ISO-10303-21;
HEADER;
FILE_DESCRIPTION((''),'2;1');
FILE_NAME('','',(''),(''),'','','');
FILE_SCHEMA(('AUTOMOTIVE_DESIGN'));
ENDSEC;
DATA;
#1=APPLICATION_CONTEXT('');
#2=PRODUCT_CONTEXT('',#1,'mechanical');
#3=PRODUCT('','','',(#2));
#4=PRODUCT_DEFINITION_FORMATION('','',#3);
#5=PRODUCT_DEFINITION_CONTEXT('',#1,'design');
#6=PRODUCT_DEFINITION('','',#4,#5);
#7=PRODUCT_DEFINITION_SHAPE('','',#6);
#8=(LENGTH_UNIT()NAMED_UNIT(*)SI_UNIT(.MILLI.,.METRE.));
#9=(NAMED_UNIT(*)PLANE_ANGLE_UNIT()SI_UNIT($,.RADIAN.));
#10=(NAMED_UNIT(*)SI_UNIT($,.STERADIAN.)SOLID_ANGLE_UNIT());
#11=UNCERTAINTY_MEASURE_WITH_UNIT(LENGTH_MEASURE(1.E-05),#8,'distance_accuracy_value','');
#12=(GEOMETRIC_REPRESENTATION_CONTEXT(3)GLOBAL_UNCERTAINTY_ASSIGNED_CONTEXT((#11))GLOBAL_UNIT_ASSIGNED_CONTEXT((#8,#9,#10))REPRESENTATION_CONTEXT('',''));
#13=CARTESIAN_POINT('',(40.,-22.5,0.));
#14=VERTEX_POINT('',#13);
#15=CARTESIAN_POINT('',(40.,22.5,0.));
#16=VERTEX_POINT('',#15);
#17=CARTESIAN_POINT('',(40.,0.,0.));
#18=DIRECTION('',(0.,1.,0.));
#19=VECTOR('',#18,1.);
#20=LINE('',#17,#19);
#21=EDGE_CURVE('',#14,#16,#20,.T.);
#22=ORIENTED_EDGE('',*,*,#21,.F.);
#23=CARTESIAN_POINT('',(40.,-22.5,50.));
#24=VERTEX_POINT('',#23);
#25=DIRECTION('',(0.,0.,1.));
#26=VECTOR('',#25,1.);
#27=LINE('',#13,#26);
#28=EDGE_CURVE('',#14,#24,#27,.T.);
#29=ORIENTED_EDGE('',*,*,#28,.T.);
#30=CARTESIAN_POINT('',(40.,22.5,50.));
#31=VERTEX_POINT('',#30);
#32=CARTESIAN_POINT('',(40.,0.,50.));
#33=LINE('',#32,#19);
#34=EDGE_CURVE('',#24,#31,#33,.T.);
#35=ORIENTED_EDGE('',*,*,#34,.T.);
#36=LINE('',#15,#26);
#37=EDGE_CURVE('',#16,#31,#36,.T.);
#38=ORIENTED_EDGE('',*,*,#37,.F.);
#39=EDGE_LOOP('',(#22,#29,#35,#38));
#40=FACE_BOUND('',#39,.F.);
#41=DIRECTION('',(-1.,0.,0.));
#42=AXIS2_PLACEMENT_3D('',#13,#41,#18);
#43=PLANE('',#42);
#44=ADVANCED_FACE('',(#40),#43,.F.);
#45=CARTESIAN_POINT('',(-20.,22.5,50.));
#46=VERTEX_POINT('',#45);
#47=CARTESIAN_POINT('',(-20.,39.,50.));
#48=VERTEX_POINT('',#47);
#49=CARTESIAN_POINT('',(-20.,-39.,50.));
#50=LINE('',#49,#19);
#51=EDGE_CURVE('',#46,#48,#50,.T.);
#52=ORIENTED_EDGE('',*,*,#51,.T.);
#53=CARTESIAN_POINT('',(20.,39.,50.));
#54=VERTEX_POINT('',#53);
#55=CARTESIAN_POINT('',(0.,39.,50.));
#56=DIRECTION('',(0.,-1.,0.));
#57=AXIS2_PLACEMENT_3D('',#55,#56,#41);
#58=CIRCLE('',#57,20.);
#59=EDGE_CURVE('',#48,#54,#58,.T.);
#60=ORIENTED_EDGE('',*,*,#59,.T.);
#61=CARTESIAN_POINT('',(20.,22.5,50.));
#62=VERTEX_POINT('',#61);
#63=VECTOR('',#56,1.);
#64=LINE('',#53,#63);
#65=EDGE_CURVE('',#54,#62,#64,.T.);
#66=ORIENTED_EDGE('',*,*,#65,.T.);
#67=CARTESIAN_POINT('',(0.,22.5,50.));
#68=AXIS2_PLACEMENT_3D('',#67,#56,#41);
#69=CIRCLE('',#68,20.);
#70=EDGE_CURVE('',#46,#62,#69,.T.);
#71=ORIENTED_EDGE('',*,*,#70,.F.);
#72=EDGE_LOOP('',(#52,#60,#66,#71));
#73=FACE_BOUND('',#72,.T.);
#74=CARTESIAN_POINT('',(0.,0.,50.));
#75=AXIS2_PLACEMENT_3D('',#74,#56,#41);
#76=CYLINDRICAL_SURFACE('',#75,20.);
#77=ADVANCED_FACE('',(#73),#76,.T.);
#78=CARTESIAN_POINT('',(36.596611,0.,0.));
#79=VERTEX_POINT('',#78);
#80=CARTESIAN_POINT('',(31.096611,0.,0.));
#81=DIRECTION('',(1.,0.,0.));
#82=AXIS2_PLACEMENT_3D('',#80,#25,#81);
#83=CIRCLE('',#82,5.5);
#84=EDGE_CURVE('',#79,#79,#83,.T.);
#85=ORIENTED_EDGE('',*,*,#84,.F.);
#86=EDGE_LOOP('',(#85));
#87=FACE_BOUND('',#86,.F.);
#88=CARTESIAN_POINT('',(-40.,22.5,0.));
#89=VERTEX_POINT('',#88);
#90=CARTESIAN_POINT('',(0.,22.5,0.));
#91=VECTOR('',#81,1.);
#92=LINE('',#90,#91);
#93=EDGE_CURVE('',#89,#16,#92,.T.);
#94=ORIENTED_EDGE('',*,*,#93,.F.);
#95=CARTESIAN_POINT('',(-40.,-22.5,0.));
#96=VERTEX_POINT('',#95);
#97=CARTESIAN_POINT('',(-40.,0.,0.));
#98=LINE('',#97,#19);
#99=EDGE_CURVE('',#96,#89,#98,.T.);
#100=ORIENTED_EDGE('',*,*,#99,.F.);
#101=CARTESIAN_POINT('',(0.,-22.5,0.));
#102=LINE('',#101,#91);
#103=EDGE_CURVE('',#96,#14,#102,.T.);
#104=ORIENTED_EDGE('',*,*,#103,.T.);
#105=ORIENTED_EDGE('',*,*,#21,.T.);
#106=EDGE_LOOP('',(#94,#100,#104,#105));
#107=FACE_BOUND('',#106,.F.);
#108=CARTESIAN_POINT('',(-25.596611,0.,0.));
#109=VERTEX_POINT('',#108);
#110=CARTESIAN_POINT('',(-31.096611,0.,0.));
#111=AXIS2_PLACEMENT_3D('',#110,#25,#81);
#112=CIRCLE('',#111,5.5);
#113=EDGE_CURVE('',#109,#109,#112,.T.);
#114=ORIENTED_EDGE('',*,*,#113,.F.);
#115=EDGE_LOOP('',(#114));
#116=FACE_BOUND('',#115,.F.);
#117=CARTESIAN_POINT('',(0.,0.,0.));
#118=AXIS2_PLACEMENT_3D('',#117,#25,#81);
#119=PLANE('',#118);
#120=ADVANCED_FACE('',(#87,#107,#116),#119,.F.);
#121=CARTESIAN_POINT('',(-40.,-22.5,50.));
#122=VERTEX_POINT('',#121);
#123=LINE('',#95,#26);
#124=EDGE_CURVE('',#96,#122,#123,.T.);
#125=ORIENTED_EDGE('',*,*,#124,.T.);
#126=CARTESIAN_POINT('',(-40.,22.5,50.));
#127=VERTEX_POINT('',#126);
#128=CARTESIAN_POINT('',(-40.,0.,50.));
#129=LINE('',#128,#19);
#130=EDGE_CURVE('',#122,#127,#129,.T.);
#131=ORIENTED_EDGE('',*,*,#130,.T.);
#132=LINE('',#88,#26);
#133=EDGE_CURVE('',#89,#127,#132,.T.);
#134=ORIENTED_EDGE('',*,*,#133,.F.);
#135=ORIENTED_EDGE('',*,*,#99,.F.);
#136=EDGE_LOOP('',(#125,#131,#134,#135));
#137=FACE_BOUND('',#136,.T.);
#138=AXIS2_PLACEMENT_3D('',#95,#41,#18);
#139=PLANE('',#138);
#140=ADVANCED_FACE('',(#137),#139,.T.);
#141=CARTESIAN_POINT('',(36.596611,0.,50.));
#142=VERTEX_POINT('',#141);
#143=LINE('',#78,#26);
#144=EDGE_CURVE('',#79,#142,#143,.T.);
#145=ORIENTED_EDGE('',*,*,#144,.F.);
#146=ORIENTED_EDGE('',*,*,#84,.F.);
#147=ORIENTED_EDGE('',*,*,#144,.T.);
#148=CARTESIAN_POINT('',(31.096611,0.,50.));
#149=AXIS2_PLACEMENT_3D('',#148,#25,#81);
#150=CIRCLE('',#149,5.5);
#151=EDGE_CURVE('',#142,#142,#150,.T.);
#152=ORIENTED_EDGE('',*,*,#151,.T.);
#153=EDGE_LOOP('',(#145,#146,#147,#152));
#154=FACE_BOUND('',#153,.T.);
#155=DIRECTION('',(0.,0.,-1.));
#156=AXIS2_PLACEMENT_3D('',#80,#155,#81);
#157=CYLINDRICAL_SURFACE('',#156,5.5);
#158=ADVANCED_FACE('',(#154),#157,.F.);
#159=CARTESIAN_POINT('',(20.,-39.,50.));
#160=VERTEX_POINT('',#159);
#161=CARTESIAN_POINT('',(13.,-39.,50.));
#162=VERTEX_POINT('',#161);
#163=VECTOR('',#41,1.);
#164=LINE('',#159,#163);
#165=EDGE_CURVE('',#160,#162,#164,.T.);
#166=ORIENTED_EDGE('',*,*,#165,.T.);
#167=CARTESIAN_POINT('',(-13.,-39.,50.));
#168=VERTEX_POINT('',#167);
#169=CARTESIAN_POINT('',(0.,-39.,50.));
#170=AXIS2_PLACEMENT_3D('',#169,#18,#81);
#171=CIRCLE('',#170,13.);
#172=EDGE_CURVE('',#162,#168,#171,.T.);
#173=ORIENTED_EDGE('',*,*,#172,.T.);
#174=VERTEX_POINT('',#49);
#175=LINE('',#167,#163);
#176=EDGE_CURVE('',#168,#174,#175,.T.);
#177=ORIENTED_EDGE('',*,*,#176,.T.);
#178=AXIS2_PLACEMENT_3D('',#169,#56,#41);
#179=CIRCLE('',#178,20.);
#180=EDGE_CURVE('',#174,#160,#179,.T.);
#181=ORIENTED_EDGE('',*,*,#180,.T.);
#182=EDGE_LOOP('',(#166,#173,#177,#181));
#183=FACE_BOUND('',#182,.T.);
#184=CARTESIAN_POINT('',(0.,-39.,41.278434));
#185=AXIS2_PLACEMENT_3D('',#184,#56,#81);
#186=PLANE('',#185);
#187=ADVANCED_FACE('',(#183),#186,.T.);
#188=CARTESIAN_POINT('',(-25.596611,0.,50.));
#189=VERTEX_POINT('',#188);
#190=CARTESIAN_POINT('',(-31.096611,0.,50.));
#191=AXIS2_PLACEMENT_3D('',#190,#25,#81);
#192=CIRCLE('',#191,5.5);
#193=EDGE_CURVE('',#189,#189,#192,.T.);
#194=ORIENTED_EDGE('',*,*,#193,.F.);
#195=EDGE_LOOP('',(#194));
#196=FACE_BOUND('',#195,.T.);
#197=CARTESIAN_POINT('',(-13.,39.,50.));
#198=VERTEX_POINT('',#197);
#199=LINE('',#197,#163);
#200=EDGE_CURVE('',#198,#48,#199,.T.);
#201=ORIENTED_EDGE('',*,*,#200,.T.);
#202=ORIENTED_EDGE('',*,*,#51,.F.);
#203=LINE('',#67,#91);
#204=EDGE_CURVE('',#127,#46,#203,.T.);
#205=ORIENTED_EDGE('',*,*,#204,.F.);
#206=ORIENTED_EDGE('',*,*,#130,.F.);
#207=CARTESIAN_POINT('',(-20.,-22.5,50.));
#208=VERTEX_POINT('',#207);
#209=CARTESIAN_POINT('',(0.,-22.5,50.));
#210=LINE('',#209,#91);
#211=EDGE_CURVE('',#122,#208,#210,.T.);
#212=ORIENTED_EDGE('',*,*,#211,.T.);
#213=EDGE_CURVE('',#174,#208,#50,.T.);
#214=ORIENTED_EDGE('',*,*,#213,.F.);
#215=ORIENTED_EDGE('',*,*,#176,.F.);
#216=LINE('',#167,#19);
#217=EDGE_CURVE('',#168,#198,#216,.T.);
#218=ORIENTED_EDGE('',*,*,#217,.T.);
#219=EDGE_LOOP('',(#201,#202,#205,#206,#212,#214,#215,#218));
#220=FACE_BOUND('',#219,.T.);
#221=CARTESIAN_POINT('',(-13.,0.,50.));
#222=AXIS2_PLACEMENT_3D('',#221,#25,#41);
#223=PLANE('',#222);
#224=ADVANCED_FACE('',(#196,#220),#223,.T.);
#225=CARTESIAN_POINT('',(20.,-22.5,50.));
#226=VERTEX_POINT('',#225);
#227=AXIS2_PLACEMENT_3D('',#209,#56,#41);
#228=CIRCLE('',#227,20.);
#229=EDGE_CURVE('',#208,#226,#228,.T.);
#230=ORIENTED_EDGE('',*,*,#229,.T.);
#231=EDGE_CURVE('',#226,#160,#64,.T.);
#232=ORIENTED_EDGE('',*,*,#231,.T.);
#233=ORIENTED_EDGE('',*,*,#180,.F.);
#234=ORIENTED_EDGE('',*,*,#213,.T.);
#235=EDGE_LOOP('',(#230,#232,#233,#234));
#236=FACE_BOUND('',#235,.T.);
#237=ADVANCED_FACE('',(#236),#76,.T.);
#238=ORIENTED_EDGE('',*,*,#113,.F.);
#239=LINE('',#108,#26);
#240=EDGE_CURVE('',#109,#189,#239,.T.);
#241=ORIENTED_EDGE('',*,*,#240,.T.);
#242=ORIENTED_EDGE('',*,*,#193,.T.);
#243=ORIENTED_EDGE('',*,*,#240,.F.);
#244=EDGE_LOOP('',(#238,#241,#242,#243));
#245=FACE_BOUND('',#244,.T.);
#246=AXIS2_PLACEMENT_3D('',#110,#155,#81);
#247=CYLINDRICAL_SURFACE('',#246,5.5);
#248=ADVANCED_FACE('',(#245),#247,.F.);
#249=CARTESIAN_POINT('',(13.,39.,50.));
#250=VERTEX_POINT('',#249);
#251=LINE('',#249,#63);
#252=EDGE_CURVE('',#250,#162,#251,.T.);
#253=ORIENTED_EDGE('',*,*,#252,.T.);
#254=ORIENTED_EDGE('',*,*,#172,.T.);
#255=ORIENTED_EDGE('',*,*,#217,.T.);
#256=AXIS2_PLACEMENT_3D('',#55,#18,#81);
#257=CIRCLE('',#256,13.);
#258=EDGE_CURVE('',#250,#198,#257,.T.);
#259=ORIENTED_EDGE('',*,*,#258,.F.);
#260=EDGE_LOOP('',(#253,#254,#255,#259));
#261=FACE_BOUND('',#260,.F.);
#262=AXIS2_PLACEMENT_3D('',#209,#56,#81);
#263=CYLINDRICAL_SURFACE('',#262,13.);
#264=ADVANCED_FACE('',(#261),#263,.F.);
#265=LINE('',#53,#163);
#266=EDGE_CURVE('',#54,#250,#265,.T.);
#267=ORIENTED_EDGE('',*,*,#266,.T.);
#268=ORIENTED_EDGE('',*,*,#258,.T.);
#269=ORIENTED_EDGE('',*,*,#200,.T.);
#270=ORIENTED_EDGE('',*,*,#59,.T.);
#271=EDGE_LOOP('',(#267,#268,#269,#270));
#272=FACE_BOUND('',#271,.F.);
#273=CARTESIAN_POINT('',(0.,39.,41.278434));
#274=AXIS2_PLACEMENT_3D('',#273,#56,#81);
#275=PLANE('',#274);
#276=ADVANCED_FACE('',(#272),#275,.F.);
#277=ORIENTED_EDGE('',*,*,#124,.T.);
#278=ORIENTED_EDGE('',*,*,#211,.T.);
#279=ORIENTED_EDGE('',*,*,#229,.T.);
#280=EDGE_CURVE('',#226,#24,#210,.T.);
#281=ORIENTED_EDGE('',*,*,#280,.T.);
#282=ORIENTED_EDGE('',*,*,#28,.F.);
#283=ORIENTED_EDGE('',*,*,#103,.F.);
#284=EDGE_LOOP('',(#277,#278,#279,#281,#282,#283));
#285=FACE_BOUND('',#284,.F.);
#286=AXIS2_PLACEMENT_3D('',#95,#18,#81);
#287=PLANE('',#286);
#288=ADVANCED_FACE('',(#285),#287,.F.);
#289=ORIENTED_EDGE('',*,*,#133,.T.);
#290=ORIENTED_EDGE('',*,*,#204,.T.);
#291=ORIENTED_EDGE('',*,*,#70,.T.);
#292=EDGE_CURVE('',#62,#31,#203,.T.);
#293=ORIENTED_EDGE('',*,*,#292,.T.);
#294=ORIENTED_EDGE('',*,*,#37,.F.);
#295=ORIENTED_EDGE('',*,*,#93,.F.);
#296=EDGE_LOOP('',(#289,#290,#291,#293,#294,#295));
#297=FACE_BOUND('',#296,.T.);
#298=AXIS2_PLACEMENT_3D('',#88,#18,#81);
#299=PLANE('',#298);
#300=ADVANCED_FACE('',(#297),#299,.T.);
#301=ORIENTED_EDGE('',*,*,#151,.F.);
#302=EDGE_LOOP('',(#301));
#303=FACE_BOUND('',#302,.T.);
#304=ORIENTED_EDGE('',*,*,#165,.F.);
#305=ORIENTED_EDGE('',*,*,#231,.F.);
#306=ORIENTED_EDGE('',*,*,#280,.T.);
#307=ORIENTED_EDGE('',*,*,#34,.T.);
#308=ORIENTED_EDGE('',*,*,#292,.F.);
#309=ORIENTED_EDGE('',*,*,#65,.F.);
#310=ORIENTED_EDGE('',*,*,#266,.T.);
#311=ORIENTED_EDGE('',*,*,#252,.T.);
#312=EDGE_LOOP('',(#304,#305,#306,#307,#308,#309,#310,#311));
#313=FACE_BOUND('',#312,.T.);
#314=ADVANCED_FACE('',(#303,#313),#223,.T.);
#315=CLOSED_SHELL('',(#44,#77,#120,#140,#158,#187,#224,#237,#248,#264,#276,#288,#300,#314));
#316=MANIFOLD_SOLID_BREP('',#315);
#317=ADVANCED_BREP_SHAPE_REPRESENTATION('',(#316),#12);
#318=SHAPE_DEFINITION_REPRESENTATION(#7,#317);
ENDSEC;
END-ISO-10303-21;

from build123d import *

# Parameters (mm, degrees)
F0_W     = 80
F0_H     = 45
F0_R     = 5.5
F1_DEPTH = 50
F3_DEPTH = 39
F4_DEPTH = 45


with BuildPart() as f1:
    # F0 (on Top) → F1 (new body)
    with BuildSketch(Plane.XY):
        Rectangle(F0_W, F0_H)
        with Locations((-31.096611172, 0)):
            Circle(F0_R, mode=Mode.SUBTRACT)
        with Locations((31.096611172, 0)):
            Circle(F0_R, mode=Mode.SUBTRACT)
    extrude(amount=F1_DEPTH)

    # F2 (on Front) → F3 (join, symmetric)
    with BuildSketch(Plane.XZ):
        with BuildLine():
            ThreePointArc((-20, 50), (0, 30), (20, 50))
            Line((20, 50), (13, 50))
            ThreePointArc((13, 50), (0, 37), (-13, 50))
            Line((-13, 50), (-20, 50))
        make_face()
    extrude(amount=F3_DEPTH, both=True)

    # F4 (cut, through all): a face of the model
    f4_faces = [f1.faces().sort_by_distance(p)[0] for p in [
        (0, -22.5, 44.4826286395),
    ]]
    extrude(f4_faces, amount=-F4_DEPTH, mode=Mode.SUBTRACT)


solid = f1.part
